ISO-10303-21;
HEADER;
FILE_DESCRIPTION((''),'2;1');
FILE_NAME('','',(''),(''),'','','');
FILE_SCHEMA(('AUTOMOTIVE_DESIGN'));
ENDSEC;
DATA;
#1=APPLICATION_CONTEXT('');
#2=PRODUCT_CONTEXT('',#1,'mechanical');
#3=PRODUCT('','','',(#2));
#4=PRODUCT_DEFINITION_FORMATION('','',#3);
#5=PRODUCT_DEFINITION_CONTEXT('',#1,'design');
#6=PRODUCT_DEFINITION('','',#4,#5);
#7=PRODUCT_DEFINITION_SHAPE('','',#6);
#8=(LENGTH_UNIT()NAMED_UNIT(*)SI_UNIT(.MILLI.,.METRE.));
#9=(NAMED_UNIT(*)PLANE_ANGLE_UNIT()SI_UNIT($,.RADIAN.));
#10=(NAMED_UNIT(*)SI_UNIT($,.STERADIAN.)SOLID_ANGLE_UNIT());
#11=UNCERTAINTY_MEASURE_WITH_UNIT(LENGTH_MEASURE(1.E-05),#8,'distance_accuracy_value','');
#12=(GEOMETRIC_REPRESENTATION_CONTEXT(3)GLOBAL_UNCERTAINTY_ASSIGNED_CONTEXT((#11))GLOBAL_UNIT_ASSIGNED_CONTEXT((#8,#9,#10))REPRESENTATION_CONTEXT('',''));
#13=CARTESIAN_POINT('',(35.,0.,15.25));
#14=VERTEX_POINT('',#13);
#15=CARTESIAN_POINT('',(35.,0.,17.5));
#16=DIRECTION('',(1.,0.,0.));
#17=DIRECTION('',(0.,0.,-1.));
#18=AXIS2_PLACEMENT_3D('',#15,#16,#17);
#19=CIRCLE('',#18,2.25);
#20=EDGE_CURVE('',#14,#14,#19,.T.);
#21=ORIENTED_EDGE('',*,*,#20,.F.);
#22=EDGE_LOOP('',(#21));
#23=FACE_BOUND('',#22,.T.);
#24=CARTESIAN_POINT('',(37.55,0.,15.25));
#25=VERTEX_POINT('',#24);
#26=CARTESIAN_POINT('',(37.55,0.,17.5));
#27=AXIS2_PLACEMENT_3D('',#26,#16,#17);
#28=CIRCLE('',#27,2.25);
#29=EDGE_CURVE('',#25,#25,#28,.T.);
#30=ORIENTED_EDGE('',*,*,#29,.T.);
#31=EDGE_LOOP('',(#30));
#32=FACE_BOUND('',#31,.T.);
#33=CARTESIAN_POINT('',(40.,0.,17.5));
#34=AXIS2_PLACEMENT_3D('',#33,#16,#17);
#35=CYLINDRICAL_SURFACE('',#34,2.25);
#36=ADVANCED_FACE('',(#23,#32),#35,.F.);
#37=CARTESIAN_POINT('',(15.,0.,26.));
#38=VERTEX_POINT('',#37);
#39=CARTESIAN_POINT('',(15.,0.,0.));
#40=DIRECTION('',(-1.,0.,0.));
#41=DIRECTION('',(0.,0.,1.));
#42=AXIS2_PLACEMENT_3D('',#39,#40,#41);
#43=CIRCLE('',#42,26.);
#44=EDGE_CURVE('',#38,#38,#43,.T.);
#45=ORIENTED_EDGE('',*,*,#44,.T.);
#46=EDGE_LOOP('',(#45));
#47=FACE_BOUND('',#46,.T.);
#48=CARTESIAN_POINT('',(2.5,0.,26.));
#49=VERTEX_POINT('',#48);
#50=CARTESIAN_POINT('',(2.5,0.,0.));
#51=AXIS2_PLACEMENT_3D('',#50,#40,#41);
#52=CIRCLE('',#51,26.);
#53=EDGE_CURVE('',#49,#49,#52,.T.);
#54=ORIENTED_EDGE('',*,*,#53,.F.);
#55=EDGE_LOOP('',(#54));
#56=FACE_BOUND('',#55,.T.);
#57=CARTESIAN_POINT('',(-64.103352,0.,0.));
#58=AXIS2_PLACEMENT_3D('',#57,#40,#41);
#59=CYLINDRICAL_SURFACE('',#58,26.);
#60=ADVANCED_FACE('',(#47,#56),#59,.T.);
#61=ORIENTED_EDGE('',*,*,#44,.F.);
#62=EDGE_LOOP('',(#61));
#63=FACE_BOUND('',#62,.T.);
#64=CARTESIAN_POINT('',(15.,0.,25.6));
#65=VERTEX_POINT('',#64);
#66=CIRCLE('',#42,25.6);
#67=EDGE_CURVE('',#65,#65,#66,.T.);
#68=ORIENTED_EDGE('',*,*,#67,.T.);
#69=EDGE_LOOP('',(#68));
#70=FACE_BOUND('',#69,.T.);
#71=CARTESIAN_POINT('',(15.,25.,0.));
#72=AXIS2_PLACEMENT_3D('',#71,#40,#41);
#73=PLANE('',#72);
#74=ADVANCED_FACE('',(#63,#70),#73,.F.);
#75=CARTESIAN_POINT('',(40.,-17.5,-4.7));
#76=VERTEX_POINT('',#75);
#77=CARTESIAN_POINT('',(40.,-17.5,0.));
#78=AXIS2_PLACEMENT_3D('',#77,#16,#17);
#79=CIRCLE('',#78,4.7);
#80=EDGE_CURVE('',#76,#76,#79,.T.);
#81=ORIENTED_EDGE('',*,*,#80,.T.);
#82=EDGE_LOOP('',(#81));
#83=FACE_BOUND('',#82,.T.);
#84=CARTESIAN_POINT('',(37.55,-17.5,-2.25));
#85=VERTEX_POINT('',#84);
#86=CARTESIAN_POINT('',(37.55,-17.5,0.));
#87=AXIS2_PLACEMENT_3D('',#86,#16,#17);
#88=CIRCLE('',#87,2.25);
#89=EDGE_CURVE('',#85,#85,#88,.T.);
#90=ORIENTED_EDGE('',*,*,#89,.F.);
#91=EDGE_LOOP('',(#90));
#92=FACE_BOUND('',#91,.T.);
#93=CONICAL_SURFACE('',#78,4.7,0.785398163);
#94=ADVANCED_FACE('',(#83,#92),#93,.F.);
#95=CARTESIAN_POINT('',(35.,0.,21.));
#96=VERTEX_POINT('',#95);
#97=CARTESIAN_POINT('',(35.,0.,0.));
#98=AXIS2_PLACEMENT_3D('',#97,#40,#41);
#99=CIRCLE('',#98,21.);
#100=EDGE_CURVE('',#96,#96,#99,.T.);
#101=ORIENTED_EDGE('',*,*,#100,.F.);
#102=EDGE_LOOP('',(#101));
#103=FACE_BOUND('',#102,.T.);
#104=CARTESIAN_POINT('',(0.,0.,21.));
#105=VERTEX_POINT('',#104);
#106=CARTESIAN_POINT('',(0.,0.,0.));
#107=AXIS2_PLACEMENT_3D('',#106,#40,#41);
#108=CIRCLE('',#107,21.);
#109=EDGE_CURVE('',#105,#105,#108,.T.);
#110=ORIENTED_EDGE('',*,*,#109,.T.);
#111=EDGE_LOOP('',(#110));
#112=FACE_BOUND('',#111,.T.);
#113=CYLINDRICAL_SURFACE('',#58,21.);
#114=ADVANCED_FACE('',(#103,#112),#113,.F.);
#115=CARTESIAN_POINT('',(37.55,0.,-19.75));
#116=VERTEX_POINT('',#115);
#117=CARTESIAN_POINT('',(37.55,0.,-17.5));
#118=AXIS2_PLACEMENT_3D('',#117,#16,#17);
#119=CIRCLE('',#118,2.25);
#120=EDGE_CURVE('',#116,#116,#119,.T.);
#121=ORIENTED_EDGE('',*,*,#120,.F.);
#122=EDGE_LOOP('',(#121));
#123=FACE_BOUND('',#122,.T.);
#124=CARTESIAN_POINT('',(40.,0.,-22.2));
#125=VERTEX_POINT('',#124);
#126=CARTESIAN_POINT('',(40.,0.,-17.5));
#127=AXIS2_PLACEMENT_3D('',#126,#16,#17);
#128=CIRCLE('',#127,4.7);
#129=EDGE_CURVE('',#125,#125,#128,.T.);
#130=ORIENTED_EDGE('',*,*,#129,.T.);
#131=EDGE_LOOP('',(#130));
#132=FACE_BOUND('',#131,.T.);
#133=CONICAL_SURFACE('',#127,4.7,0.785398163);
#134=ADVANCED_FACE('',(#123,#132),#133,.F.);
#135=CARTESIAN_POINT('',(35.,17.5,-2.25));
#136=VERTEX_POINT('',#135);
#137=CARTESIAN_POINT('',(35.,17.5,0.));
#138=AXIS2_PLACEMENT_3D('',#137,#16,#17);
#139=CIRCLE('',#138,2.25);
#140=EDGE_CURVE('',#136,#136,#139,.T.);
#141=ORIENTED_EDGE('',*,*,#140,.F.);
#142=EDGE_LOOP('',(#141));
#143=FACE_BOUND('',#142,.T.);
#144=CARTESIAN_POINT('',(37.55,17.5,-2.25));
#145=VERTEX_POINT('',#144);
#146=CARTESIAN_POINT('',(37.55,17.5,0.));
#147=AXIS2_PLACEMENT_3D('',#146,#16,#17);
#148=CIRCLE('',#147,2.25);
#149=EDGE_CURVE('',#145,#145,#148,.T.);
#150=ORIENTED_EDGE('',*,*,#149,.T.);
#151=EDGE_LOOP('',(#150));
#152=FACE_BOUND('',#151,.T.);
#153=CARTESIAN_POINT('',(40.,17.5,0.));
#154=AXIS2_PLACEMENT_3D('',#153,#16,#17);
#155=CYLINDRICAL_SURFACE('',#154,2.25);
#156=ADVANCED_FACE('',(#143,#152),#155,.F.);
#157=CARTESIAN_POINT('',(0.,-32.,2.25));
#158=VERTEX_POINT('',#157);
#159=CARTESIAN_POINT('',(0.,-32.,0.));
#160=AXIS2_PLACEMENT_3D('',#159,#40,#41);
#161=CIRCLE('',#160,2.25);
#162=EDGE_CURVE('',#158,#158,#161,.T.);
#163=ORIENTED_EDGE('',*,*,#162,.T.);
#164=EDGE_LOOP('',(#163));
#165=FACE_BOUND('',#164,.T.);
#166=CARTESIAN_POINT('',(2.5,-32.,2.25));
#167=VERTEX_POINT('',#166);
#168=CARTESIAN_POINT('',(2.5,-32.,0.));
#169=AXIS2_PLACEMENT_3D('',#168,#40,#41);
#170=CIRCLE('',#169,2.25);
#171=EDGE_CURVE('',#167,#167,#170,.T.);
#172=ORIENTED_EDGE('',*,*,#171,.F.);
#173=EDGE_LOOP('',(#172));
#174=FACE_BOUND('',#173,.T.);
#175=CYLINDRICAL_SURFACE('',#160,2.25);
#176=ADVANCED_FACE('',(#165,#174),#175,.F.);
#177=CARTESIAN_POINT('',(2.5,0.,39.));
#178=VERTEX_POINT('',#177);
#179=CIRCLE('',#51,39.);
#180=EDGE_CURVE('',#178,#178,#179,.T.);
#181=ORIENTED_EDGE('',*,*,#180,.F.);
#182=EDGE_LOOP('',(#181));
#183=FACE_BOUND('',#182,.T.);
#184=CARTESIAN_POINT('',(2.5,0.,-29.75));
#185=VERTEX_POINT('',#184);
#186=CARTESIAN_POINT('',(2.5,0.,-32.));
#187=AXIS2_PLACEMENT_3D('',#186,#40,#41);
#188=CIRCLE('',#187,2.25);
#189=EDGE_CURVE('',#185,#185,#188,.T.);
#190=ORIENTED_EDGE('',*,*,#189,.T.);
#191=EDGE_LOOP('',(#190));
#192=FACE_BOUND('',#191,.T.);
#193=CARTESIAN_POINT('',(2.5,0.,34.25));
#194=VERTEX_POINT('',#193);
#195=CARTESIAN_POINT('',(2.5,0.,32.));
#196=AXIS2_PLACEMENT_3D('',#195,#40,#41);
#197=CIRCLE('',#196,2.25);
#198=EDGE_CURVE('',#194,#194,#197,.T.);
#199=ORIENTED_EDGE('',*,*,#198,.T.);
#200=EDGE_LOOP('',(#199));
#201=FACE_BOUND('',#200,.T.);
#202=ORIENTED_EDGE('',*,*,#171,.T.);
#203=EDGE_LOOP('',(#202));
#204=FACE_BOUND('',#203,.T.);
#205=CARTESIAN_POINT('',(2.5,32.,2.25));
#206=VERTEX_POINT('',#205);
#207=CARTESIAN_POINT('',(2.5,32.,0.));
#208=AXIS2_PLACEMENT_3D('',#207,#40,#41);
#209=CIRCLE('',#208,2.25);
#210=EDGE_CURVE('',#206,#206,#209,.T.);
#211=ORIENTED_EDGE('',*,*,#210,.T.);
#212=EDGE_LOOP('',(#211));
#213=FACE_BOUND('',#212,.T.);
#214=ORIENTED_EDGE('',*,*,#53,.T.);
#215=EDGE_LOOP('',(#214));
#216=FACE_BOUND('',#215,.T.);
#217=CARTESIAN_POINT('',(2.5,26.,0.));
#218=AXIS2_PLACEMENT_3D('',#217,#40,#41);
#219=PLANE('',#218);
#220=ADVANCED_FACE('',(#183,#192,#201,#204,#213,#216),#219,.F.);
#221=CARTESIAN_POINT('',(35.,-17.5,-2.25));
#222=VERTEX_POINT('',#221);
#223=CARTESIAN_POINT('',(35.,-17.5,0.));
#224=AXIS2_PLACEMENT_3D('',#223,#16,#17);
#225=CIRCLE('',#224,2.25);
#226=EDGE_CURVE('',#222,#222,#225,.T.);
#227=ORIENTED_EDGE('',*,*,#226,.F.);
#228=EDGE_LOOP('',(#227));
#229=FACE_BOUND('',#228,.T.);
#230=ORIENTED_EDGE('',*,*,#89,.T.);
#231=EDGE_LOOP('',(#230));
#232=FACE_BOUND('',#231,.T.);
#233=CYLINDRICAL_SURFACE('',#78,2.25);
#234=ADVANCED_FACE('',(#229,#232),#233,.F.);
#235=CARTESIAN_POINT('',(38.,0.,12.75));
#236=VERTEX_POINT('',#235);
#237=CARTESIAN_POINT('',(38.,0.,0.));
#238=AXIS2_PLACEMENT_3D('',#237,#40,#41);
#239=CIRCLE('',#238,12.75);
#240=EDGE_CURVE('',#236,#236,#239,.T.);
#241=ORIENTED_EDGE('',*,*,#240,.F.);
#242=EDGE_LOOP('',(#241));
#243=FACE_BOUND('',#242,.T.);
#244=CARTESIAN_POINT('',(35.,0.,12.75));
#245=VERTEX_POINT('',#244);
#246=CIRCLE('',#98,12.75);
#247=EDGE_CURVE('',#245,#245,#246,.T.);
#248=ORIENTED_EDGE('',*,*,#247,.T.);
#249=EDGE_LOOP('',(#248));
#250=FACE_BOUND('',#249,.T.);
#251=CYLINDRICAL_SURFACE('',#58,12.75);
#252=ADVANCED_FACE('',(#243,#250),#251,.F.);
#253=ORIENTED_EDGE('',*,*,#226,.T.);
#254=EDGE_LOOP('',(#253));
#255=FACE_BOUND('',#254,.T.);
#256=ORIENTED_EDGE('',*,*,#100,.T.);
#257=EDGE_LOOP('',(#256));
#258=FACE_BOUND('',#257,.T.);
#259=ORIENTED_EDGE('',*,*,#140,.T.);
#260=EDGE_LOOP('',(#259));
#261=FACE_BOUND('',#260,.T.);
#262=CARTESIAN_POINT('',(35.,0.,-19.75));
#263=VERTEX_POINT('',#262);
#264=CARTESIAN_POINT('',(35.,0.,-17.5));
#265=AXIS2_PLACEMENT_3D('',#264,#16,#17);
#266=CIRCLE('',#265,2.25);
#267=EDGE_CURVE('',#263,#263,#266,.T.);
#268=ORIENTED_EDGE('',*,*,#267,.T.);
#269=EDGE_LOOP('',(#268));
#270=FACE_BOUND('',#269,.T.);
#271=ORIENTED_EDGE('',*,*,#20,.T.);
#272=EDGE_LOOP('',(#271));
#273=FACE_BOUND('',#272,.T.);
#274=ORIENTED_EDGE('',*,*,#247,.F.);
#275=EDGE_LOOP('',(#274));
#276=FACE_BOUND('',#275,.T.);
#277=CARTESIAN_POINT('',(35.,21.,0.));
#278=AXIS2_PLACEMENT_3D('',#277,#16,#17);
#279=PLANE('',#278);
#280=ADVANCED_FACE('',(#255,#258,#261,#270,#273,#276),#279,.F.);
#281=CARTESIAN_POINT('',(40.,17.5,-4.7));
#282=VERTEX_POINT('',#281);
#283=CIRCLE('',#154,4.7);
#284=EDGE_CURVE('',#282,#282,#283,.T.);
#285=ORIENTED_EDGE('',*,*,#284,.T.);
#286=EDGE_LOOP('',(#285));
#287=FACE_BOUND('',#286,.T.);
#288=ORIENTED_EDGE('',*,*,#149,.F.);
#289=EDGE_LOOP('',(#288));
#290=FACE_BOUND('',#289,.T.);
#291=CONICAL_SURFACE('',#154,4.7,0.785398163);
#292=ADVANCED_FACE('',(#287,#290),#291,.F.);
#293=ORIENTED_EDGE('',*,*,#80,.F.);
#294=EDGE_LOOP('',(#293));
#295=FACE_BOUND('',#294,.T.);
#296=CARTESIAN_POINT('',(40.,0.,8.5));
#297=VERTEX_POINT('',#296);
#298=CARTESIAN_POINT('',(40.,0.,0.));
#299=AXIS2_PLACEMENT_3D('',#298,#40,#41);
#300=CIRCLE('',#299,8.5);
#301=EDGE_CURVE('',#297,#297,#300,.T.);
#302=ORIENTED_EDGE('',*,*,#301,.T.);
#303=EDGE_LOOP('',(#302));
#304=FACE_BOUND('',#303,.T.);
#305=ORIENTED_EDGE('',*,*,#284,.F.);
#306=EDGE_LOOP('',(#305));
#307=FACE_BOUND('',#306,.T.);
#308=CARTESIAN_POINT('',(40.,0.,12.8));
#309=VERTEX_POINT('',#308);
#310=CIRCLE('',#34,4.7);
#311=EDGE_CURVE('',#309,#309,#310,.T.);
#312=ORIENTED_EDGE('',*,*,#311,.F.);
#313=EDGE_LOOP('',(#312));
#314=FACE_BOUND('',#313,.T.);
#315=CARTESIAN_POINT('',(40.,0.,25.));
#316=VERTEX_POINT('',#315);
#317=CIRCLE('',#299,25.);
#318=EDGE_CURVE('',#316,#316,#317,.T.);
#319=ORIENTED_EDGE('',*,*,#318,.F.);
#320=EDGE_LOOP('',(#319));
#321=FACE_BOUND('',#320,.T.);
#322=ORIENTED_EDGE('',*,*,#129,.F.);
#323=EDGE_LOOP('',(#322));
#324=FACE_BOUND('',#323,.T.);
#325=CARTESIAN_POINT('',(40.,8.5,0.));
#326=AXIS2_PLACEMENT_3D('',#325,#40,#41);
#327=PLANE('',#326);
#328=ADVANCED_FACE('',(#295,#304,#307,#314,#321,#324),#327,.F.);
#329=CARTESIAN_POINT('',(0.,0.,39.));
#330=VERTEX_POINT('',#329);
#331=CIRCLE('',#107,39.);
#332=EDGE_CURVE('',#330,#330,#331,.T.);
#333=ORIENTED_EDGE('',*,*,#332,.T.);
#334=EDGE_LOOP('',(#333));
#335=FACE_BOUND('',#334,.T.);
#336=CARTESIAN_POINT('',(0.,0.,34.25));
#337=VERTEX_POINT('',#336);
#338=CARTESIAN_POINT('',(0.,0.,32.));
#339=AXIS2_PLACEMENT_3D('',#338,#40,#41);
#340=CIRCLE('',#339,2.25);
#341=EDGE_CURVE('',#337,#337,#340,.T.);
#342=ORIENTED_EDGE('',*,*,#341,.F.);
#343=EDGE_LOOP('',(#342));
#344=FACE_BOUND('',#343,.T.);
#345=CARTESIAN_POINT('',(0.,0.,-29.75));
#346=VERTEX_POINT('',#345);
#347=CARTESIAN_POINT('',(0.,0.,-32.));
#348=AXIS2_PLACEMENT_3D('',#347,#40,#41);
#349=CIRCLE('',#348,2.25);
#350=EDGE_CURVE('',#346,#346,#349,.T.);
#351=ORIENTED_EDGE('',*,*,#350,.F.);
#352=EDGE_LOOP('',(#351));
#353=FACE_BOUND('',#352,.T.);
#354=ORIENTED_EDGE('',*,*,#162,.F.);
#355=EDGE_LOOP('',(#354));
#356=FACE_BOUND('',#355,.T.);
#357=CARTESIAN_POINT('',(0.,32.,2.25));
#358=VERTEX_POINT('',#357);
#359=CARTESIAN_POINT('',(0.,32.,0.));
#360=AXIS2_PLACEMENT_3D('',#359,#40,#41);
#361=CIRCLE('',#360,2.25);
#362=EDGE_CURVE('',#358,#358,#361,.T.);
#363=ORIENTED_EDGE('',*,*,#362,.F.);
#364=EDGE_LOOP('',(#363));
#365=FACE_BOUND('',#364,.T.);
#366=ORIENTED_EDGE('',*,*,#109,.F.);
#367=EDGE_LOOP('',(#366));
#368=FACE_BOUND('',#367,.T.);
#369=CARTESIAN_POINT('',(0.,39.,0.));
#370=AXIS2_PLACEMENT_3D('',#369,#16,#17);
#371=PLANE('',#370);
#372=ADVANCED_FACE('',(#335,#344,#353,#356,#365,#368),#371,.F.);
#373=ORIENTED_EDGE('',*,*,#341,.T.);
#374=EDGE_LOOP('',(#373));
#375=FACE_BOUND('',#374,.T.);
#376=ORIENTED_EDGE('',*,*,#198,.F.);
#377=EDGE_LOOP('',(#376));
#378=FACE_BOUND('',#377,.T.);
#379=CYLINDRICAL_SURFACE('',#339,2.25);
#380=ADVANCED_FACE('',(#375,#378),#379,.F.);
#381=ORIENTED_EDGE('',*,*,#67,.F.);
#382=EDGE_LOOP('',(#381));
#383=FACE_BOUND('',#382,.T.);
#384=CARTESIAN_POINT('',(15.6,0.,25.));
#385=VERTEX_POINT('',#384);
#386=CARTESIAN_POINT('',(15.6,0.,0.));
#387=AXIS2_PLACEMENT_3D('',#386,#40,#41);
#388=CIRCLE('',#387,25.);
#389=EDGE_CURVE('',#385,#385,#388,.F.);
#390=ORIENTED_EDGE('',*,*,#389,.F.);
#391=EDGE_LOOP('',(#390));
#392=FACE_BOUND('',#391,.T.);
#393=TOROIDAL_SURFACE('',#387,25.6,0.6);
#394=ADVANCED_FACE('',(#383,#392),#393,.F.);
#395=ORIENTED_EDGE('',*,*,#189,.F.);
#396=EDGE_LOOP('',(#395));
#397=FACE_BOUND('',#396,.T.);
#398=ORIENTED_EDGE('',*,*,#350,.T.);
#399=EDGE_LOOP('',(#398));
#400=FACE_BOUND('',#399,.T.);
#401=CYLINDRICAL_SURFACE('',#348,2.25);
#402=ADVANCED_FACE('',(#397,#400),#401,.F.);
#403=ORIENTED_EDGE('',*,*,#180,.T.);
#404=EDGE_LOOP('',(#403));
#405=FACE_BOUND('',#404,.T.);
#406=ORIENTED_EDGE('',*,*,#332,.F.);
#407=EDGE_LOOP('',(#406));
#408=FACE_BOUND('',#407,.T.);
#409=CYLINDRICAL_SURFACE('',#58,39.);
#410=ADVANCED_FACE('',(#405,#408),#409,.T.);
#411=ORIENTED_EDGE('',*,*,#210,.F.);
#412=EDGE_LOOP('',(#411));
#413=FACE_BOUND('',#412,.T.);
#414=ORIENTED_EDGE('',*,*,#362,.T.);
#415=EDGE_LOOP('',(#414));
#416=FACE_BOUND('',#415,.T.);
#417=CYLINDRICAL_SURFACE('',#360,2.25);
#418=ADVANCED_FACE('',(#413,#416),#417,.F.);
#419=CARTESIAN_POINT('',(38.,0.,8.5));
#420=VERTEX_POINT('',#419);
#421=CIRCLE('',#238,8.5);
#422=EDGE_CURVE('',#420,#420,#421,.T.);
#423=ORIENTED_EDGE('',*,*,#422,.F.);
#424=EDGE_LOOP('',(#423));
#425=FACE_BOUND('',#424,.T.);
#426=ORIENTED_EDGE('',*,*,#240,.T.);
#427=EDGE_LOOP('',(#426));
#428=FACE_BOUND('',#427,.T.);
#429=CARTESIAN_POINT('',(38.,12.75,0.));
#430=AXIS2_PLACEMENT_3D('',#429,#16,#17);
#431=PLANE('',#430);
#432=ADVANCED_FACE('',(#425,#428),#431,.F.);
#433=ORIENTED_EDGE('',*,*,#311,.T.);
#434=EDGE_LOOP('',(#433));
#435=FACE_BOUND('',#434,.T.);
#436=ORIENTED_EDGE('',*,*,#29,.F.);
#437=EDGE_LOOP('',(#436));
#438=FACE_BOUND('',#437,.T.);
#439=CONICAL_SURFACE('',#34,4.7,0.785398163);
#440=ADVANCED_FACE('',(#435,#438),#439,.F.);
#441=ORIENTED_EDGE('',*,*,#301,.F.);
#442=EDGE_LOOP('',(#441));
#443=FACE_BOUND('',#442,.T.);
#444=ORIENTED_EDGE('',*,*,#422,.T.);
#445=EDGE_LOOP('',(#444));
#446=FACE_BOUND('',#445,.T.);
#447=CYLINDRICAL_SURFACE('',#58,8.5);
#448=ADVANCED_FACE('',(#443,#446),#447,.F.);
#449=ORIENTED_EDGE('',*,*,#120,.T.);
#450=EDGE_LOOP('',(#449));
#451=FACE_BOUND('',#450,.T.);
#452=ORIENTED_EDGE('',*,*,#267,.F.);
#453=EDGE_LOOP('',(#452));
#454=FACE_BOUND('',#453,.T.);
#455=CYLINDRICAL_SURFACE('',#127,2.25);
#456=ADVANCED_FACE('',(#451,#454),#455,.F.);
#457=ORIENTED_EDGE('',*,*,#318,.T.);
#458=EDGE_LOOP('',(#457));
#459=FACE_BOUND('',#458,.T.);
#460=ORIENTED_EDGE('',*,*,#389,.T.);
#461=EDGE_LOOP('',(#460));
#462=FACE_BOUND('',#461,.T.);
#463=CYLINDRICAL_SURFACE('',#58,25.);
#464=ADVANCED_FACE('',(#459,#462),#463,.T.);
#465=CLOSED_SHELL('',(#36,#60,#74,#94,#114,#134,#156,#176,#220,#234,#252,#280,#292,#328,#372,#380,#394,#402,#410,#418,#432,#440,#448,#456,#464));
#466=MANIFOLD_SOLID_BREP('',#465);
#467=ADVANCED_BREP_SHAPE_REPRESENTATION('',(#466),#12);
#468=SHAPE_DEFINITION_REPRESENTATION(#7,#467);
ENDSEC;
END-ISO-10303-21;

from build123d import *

# Parameters (mm, degrees)
CSK_FOR_M4_FLAT_HEAD_MACHINE_SCREW1_D           = 4.5
CSK_FOR_M4_FLAT_HEAD_MACHINE_SCREW1_DEPTH       = 5
CSK_FOR_M4_FLAT_HEAD_MACHINE_SCREW1_CSINK_D     = 9.4
CSK_FOR_M4_FLAT_HEAD_MACHINE_SCREW1_CSINK_ANGLE = 90
FILLET1_R                                       = 0.6
M4_CLEARANCE_HOLE1_D                            = 4.5
M4_CLEARANCE_HOLE1_DEPTH                        = 2.5


with BuildPart() as part:
    # Sketch2 → Revolve1 (revolve)
    with BuildSketch(Plane.XY):
        Polygon((0, 21), (35, 21), (35, 12.75), (38, 12.75), (38, 8.5), (40, 8.5), (40, 25), (15, 25), (15, 26), (2.5, 26), (2.5, 39), (0, 39), (0, 26), align=None)
    revolve(axis=Axis((-64.103352454, 0, 0), (1, 0, 0)))

    # CSK for M4 Flat Head Machine Screw1
    with Locations(Plane(origin=(40, 0, 0), x_dir=(0, 0, -1), z_dir=(1, 0, 0))):
        with Locations((0, 17.5), (17.5, 0), (0, -17.5), (-17.5, 0)):
            CounterSinkHole(CSK_FOR_M4_FLAT_HEAD_MACHINE_SCREW1_D / 2, CSK_FOR_M4_FLAT_HEAD_MACHINE_SCREW1_CSINK_D / 2, depth=CSK_FOR_M4_FLAT_HEAD_MACHINE_SCREW1_DEPTH, counter_sink_angle=CSK_FOR_M4_FLAT_HEAD_MACHINE_SCREW1_CSINK_ANGLE)

    # Fillet1
    fillet1_edges = [part.edges().sort_by_distance(p)[0] for p in [
        (15, -25, 0),
    ]]
    fillet(fillet1_edges, radius=FILLET1_R)

    # M4 Clearance Hole1
    with Locations(Plane.ZY):
        with Locations((0, 32), (0, -32), (32, 0), (-32, 0)):
            Hole(M4_CLEARANCE_HOLE1_D / 2, depth=M4_CLEARANCE_HOLE1_DEPTH)


solid = part.part
